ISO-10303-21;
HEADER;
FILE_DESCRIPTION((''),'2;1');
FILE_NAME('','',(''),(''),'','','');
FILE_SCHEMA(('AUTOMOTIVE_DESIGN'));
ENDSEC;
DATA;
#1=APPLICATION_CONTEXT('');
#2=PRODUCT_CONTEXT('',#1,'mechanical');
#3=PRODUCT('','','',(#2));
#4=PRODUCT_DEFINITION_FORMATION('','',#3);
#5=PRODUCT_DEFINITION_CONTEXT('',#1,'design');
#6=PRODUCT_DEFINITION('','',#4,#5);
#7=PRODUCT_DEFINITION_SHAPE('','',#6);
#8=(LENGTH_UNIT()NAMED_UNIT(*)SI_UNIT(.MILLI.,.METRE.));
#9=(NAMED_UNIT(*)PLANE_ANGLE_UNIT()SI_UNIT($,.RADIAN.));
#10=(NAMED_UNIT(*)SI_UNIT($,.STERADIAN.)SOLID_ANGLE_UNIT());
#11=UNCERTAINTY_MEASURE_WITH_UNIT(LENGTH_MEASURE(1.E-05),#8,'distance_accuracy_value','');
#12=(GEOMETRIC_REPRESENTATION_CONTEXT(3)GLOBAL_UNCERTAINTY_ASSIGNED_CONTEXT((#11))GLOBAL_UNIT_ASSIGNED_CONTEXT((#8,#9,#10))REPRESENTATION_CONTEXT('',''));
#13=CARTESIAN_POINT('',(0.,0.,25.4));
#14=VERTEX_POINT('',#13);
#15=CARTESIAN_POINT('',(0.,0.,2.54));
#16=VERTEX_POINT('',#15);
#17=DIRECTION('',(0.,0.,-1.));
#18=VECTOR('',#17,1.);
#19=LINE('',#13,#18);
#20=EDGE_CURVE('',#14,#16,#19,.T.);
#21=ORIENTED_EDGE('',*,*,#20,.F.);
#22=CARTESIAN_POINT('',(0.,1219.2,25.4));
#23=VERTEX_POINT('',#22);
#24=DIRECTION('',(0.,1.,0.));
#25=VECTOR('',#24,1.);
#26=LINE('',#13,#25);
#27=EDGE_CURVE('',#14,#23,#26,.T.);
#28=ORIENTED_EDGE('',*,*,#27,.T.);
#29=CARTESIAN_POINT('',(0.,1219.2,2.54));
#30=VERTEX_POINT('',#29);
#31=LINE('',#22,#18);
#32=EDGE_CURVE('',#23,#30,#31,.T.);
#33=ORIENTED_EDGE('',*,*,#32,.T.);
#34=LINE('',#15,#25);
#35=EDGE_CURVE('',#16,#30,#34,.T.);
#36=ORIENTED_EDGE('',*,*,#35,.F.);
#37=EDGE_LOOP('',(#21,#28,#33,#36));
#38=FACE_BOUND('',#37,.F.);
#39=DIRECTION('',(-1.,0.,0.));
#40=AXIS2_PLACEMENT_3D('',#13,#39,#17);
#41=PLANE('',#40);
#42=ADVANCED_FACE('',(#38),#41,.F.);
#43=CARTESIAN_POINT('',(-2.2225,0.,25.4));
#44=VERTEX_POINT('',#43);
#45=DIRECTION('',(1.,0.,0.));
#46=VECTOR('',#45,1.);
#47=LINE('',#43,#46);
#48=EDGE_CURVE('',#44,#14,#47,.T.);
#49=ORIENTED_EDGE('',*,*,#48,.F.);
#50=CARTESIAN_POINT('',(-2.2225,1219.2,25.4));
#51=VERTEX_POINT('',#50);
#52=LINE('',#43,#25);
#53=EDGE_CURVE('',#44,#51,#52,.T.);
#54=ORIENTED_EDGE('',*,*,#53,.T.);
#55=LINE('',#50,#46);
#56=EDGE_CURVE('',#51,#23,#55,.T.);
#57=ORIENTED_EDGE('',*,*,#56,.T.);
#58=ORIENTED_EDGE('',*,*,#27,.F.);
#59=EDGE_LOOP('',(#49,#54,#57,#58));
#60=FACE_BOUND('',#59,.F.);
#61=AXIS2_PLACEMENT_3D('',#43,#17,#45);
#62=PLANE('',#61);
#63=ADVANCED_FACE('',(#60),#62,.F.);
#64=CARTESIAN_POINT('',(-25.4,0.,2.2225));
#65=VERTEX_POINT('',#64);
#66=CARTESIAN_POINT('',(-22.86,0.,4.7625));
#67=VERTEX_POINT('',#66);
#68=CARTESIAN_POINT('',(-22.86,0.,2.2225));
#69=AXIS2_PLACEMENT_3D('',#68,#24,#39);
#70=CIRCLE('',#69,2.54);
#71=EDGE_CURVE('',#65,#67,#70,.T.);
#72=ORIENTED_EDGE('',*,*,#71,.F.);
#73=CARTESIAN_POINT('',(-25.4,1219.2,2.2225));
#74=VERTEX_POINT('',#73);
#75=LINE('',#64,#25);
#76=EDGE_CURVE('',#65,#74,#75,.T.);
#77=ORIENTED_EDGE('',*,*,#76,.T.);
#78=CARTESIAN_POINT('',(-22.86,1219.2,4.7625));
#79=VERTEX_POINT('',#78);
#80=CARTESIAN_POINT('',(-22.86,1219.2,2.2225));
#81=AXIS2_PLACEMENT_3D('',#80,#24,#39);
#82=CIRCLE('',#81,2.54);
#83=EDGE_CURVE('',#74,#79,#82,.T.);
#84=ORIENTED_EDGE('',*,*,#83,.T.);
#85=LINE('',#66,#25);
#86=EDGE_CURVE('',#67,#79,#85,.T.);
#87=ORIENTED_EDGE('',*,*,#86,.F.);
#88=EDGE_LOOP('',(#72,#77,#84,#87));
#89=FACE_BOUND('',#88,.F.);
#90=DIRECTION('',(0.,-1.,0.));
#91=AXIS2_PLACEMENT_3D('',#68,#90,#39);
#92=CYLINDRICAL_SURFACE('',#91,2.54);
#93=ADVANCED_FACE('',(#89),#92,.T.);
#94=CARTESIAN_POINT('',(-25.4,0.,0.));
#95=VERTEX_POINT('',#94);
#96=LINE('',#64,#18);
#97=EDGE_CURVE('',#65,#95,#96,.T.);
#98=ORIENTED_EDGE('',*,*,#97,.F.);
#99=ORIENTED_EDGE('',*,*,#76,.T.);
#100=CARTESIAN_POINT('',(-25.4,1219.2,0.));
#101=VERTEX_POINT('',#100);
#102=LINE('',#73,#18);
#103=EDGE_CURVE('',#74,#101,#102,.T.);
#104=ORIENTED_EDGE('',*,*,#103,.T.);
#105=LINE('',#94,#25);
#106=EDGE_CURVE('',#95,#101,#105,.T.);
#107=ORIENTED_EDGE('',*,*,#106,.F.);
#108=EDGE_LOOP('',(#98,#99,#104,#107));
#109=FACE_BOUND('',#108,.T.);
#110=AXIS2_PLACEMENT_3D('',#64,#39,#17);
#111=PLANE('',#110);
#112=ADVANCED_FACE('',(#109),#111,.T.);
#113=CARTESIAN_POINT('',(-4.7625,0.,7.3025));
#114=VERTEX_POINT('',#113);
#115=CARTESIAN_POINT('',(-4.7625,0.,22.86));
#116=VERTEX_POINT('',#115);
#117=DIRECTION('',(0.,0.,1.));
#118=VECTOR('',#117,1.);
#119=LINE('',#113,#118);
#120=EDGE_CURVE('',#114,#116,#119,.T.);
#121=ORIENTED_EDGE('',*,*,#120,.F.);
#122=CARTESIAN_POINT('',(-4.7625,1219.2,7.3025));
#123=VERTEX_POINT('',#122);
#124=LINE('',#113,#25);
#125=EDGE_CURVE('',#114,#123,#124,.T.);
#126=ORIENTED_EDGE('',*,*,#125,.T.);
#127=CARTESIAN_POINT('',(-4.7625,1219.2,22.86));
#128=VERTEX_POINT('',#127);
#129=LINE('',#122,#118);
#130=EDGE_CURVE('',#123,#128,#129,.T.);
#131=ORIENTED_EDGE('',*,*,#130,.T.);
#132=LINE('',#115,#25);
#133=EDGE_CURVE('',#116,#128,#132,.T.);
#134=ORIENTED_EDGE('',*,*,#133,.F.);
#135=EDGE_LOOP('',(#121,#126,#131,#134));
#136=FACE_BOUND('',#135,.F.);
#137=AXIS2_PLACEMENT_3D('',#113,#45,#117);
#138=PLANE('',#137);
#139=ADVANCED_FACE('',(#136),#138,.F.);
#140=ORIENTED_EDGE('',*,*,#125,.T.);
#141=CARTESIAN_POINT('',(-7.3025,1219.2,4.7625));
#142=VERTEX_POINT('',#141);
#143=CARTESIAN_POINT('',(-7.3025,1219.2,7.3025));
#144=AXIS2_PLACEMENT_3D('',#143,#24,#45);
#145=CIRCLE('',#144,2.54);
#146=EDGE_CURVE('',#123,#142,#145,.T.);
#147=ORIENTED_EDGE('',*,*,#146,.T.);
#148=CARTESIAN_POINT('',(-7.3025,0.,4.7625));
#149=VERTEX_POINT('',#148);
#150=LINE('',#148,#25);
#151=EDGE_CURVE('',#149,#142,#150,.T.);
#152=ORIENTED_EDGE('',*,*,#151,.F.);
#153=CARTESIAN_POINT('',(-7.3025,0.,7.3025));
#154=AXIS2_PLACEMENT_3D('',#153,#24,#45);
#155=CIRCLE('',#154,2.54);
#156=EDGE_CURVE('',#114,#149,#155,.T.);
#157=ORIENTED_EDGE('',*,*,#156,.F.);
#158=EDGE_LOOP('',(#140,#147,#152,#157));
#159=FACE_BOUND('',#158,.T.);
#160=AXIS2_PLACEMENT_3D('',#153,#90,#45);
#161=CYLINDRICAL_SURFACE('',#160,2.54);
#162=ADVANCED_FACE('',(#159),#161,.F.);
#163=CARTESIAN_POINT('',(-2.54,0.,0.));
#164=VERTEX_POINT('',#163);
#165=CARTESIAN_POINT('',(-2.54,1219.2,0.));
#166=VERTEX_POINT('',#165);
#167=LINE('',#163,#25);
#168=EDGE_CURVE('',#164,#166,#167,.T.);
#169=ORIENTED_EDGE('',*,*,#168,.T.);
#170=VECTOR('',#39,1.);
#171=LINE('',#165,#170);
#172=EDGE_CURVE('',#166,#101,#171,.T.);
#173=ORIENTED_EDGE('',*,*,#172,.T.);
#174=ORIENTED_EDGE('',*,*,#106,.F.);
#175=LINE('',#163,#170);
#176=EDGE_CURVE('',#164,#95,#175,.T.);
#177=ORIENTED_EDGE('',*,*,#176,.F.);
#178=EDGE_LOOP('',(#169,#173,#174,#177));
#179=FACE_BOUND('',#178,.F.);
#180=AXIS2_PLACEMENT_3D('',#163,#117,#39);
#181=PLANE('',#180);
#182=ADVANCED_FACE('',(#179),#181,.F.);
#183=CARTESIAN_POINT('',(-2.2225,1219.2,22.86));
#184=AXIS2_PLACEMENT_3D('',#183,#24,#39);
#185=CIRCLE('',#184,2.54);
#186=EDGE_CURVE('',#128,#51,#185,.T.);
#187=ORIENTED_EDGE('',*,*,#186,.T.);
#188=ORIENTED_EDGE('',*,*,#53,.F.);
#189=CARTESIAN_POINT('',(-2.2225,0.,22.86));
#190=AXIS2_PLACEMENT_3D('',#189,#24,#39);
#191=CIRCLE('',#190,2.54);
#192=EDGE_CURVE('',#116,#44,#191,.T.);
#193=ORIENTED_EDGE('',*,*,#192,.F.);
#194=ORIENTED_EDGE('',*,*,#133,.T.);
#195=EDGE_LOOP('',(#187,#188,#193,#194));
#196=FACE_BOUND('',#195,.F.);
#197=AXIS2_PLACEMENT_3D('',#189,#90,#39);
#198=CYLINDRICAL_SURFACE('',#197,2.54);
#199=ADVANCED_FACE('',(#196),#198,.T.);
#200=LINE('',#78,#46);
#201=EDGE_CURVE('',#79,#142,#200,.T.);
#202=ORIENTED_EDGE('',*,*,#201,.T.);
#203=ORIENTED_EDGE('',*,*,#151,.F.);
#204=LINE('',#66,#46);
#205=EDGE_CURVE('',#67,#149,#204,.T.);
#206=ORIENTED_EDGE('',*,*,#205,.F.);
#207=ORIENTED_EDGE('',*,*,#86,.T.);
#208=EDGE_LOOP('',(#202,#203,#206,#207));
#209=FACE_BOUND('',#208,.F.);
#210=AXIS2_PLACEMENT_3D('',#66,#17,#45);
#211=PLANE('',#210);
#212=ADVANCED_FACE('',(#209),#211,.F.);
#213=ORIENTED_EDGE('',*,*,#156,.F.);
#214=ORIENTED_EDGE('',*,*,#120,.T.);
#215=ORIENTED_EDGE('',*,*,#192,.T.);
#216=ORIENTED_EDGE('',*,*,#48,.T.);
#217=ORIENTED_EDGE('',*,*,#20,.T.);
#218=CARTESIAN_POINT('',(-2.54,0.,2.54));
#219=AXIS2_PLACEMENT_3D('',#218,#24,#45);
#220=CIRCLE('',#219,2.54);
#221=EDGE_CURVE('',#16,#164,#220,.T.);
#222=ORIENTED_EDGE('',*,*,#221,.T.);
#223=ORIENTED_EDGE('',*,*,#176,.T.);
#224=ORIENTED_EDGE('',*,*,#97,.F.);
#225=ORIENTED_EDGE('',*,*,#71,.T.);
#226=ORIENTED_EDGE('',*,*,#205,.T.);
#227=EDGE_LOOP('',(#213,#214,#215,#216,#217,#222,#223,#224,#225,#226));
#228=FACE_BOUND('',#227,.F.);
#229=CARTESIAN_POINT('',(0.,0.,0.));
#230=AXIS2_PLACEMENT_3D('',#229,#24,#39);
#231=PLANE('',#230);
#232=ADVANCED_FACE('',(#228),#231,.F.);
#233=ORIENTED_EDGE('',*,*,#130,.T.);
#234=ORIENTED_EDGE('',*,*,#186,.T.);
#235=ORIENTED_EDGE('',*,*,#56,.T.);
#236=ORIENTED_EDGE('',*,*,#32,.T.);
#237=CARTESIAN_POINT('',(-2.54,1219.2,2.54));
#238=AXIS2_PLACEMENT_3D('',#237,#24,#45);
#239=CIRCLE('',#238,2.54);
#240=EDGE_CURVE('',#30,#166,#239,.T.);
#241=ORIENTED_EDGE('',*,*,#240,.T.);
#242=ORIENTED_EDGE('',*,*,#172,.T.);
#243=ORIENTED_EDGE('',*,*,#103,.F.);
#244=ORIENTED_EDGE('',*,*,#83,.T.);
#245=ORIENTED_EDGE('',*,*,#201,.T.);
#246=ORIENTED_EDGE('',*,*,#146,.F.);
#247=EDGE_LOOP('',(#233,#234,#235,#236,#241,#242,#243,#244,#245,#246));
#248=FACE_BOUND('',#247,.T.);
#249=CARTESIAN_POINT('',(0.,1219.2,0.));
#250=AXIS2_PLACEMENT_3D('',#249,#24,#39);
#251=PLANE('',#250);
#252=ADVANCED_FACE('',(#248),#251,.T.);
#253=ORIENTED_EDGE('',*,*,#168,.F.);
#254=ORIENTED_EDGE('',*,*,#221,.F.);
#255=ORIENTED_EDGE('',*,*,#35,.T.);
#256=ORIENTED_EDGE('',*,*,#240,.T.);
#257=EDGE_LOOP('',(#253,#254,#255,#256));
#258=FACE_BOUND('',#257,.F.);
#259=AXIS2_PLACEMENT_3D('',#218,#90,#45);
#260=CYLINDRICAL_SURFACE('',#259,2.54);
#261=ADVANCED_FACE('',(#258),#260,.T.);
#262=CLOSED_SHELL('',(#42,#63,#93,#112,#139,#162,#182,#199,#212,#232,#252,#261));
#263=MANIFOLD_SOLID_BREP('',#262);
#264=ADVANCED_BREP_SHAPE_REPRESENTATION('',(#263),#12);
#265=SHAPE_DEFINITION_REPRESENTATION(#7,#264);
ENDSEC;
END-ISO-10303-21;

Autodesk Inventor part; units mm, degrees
ref_plane "YZ Plane" through (0, 0, 0) normal (1, 0, 0) x (0, 1, 0)
ref_plane "XZ Plane" through (0, 0, 0) normal (0, 1, 0) x (-1, 0, 0)
ref_plane "XY Plane" through (0, 0, 0) normal (0, 0, 1) x (1, 0, 0)
sketch "Sketch1" plane through (0, 0, 0) normal (0, 1, 0) x (-1, 0, 0)
  line L0 (2.54, 0) -> (25.4, 0)
  line L1 (0, 25.4) -> (0, 2.54)
  line L2 (22.86, 4.7625) -> (7.3025, 4.7625)
  line L3 (4.7625, 7.3025) -> (4.7625, 22.86)
  line L4 (2.2225, 25.4) -> (0, 25.4)
  line L5 (25.4, 2.2225) -> (25.4, 0)
  arc A0 (4.7625, 7.3025) -> (7.3025, 4.7625) centre (7.3025, 7.3025) ccw
  arc A1 (4.7625, 22.86) -> (2.2225, 25.4) centre (2.2225, 22.86) ccw
  arc A2 (0, 2.54) -> (2.54, 0) centre (2.54, 2.54) ccw
  arc A3 (25.4, 2.2225) -> (22.86, 4.7625) centre (22.86, 2.2225) ccw
  point P0 (0, 0)
  dimension "d2" = 4.7625
  dimension "d3" = 25.4
  dimension "d4" = 25.4
  dimension "d5" = 2.54
extrude "Front Leg" add sketch "Sketch1" along normal blind 1219.2
properties part number "legs-fl_t"
